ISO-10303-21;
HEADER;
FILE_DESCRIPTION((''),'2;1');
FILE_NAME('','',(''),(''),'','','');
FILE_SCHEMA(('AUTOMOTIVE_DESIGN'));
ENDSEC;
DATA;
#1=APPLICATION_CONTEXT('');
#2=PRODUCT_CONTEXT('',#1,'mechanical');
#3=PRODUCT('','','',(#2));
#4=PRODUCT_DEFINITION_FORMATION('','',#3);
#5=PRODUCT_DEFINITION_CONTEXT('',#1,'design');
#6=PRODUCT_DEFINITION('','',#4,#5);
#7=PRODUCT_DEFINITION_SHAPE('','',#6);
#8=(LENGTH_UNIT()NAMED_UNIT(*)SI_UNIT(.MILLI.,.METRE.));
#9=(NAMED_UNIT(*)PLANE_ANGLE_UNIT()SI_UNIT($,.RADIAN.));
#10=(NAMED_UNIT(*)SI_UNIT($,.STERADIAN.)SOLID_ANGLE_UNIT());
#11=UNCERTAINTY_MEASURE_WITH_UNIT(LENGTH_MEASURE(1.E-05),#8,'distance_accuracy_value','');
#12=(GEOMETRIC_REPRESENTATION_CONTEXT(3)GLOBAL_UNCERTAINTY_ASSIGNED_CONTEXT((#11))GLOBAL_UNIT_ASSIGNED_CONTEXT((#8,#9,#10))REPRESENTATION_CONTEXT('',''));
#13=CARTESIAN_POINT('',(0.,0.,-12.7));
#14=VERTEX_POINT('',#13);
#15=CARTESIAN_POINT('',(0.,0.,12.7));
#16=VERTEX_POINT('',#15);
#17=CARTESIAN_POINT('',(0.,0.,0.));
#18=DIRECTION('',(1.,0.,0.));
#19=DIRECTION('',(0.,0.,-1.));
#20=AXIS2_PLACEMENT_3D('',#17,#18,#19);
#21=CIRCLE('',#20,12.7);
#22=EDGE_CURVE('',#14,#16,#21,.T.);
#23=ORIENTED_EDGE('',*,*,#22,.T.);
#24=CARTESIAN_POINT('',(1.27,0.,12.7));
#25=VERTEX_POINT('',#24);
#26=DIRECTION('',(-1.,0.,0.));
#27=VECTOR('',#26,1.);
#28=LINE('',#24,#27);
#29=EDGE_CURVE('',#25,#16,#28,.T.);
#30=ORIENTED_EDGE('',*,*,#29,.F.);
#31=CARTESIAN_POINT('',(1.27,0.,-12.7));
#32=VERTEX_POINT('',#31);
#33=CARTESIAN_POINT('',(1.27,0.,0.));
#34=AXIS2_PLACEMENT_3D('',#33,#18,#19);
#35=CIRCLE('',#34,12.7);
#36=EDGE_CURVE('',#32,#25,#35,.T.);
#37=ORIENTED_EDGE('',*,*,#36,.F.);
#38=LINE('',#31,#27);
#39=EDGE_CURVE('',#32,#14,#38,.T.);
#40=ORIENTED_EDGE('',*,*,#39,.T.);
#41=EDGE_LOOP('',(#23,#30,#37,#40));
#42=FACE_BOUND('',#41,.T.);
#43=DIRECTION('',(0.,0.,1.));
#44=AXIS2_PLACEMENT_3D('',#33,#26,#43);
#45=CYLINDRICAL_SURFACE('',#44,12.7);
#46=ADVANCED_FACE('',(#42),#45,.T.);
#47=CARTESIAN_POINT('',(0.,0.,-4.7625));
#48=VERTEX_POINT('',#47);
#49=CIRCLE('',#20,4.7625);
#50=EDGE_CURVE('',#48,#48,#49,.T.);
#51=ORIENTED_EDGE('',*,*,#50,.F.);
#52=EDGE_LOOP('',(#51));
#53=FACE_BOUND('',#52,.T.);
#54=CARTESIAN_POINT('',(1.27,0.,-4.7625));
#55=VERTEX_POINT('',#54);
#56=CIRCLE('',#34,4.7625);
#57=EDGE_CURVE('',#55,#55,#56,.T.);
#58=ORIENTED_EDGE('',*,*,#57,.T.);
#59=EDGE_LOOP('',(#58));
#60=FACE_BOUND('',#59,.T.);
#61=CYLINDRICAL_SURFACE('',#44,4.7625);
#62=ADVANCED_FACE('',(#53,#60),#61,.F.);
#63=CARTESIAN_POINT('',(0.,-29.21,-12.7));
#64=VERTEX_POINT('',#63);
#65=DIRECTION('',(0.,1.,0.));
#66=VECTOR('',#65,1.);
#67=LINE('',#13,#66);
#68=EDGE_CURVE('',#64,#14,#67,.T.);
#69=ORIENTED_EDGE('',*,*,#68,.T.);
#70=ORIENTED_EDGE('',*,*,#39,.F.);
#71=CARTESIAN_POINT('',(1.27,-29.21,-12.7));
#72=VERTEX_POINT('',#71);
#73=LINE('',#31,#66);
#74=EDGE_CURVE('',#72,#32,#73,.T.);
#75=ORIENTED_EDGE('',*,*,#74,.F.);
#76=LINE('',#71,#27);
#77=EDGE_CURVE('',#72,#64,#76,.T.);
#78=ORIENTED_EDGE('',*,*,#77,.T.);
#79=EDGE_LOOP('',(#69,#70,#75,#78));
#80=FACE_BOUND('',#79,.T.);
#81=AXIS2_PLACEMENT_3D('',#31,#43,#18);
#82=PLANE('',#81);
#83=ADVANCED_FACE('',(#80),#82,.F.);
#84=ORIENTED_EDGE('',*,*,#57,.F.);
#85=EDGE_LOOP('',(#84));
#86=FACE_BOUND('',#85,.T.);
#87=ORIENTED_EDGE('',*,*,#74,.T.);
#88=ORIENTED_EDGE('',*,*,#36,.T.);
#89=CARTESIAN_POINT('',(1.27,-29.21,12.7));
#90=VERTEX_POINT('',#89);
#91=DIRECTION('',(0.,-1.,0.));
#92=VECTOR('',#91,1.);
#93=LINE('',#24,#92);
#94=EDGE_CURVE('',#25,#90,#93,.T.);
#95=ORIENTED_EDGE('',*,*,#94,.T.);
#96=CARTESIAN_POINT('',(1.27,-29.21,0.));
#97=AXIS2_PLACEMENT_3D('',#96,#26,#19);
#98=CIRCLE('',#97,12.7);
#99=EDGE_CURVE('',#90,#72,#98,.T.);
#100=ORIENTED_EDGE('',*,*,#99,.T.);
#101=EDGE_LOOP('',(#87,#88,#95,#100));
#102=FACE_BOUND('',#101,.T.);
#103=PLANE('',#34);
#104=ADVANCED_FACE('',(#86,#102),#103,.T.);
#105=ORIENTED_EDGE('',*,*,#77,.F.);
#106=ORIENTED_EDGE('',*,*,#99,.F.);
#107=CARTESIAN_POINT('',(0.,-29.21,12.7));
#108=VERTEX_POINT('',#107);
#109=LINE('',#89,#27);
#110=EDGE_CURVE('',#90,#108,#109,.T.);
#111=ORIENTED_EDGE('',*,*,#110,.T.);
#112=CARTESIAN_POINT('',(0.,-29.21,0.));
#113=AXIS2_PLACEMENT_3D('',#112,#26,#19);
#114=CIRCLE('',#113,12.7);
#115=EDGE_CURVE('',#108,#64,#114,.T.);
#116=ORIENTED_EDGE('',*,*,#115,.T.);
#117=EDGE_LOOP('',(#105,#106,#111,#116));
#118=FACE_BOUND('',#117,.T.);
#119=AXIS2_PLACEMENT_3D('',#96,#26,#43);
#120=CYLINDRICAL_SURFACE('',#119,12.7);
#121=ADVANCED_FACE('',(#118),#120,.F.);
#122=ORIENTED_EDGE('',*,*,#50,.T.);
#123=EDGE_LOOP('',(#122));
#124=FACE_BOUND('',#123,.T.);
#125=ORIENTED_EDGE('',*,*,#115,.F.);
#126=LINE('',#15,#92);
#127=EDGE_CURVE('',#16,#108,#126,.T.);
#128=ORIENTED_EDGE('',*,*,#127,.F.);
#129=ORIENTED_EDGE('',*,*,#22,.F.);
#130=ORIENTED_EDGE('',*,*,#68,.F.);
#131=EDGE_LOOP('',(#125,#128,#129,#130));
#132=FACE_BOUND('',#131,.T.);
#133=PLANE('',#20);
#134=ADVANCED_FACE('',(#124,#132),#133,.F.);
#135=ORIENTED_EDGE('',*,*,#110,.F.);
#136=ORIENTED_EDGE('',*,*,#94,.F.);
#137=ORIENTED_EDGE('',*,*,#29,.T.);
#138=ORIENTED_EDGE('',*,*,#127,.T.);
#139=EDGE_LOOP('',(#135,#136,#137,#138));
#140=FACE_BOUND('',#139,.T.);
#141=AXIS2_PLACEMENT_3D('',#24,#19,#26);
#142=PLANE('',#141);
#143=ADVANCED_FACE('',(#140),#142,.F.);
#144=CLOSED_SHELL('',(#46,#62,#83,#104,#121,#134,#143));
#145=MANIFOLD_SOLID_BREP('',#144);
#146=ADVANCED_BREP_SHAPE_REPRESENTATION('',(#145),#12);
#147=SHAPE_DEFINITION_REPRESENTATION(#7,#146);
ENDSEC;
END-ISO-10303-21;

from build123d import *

# Parameters (mm, degrees)
SKETCH1_R           = 4.7625
BOSS_EXTRUDE1_DEPTH = 1.27


with BuildPart() as part:
    # Sketch1 → Boss-Extrude1 (new body)
    with BuildSketch(Plane(origin=(0, 0, 0), x_dir=(0, 0, -1), z_dir=(1, 0, 0))):
        with BuildLine():
            Line((-12.7, 0), (-12.7, -29.21))
            ThreePointArc((-12.7, -29.21), (0, -16.51), (12.7, -29.21))
            Line((12.7, -29.21), (12.7, 0))
            ThreePointArc((12.7, 0), (0, 12.7), (-12.7, 0))
        make_face()
        Circle(SKETCH1_R, mode=Mode.SUBTRACT)
    extrude(amount=BOSS_EXTRUDE1_DEPTH)


solid = part.part
